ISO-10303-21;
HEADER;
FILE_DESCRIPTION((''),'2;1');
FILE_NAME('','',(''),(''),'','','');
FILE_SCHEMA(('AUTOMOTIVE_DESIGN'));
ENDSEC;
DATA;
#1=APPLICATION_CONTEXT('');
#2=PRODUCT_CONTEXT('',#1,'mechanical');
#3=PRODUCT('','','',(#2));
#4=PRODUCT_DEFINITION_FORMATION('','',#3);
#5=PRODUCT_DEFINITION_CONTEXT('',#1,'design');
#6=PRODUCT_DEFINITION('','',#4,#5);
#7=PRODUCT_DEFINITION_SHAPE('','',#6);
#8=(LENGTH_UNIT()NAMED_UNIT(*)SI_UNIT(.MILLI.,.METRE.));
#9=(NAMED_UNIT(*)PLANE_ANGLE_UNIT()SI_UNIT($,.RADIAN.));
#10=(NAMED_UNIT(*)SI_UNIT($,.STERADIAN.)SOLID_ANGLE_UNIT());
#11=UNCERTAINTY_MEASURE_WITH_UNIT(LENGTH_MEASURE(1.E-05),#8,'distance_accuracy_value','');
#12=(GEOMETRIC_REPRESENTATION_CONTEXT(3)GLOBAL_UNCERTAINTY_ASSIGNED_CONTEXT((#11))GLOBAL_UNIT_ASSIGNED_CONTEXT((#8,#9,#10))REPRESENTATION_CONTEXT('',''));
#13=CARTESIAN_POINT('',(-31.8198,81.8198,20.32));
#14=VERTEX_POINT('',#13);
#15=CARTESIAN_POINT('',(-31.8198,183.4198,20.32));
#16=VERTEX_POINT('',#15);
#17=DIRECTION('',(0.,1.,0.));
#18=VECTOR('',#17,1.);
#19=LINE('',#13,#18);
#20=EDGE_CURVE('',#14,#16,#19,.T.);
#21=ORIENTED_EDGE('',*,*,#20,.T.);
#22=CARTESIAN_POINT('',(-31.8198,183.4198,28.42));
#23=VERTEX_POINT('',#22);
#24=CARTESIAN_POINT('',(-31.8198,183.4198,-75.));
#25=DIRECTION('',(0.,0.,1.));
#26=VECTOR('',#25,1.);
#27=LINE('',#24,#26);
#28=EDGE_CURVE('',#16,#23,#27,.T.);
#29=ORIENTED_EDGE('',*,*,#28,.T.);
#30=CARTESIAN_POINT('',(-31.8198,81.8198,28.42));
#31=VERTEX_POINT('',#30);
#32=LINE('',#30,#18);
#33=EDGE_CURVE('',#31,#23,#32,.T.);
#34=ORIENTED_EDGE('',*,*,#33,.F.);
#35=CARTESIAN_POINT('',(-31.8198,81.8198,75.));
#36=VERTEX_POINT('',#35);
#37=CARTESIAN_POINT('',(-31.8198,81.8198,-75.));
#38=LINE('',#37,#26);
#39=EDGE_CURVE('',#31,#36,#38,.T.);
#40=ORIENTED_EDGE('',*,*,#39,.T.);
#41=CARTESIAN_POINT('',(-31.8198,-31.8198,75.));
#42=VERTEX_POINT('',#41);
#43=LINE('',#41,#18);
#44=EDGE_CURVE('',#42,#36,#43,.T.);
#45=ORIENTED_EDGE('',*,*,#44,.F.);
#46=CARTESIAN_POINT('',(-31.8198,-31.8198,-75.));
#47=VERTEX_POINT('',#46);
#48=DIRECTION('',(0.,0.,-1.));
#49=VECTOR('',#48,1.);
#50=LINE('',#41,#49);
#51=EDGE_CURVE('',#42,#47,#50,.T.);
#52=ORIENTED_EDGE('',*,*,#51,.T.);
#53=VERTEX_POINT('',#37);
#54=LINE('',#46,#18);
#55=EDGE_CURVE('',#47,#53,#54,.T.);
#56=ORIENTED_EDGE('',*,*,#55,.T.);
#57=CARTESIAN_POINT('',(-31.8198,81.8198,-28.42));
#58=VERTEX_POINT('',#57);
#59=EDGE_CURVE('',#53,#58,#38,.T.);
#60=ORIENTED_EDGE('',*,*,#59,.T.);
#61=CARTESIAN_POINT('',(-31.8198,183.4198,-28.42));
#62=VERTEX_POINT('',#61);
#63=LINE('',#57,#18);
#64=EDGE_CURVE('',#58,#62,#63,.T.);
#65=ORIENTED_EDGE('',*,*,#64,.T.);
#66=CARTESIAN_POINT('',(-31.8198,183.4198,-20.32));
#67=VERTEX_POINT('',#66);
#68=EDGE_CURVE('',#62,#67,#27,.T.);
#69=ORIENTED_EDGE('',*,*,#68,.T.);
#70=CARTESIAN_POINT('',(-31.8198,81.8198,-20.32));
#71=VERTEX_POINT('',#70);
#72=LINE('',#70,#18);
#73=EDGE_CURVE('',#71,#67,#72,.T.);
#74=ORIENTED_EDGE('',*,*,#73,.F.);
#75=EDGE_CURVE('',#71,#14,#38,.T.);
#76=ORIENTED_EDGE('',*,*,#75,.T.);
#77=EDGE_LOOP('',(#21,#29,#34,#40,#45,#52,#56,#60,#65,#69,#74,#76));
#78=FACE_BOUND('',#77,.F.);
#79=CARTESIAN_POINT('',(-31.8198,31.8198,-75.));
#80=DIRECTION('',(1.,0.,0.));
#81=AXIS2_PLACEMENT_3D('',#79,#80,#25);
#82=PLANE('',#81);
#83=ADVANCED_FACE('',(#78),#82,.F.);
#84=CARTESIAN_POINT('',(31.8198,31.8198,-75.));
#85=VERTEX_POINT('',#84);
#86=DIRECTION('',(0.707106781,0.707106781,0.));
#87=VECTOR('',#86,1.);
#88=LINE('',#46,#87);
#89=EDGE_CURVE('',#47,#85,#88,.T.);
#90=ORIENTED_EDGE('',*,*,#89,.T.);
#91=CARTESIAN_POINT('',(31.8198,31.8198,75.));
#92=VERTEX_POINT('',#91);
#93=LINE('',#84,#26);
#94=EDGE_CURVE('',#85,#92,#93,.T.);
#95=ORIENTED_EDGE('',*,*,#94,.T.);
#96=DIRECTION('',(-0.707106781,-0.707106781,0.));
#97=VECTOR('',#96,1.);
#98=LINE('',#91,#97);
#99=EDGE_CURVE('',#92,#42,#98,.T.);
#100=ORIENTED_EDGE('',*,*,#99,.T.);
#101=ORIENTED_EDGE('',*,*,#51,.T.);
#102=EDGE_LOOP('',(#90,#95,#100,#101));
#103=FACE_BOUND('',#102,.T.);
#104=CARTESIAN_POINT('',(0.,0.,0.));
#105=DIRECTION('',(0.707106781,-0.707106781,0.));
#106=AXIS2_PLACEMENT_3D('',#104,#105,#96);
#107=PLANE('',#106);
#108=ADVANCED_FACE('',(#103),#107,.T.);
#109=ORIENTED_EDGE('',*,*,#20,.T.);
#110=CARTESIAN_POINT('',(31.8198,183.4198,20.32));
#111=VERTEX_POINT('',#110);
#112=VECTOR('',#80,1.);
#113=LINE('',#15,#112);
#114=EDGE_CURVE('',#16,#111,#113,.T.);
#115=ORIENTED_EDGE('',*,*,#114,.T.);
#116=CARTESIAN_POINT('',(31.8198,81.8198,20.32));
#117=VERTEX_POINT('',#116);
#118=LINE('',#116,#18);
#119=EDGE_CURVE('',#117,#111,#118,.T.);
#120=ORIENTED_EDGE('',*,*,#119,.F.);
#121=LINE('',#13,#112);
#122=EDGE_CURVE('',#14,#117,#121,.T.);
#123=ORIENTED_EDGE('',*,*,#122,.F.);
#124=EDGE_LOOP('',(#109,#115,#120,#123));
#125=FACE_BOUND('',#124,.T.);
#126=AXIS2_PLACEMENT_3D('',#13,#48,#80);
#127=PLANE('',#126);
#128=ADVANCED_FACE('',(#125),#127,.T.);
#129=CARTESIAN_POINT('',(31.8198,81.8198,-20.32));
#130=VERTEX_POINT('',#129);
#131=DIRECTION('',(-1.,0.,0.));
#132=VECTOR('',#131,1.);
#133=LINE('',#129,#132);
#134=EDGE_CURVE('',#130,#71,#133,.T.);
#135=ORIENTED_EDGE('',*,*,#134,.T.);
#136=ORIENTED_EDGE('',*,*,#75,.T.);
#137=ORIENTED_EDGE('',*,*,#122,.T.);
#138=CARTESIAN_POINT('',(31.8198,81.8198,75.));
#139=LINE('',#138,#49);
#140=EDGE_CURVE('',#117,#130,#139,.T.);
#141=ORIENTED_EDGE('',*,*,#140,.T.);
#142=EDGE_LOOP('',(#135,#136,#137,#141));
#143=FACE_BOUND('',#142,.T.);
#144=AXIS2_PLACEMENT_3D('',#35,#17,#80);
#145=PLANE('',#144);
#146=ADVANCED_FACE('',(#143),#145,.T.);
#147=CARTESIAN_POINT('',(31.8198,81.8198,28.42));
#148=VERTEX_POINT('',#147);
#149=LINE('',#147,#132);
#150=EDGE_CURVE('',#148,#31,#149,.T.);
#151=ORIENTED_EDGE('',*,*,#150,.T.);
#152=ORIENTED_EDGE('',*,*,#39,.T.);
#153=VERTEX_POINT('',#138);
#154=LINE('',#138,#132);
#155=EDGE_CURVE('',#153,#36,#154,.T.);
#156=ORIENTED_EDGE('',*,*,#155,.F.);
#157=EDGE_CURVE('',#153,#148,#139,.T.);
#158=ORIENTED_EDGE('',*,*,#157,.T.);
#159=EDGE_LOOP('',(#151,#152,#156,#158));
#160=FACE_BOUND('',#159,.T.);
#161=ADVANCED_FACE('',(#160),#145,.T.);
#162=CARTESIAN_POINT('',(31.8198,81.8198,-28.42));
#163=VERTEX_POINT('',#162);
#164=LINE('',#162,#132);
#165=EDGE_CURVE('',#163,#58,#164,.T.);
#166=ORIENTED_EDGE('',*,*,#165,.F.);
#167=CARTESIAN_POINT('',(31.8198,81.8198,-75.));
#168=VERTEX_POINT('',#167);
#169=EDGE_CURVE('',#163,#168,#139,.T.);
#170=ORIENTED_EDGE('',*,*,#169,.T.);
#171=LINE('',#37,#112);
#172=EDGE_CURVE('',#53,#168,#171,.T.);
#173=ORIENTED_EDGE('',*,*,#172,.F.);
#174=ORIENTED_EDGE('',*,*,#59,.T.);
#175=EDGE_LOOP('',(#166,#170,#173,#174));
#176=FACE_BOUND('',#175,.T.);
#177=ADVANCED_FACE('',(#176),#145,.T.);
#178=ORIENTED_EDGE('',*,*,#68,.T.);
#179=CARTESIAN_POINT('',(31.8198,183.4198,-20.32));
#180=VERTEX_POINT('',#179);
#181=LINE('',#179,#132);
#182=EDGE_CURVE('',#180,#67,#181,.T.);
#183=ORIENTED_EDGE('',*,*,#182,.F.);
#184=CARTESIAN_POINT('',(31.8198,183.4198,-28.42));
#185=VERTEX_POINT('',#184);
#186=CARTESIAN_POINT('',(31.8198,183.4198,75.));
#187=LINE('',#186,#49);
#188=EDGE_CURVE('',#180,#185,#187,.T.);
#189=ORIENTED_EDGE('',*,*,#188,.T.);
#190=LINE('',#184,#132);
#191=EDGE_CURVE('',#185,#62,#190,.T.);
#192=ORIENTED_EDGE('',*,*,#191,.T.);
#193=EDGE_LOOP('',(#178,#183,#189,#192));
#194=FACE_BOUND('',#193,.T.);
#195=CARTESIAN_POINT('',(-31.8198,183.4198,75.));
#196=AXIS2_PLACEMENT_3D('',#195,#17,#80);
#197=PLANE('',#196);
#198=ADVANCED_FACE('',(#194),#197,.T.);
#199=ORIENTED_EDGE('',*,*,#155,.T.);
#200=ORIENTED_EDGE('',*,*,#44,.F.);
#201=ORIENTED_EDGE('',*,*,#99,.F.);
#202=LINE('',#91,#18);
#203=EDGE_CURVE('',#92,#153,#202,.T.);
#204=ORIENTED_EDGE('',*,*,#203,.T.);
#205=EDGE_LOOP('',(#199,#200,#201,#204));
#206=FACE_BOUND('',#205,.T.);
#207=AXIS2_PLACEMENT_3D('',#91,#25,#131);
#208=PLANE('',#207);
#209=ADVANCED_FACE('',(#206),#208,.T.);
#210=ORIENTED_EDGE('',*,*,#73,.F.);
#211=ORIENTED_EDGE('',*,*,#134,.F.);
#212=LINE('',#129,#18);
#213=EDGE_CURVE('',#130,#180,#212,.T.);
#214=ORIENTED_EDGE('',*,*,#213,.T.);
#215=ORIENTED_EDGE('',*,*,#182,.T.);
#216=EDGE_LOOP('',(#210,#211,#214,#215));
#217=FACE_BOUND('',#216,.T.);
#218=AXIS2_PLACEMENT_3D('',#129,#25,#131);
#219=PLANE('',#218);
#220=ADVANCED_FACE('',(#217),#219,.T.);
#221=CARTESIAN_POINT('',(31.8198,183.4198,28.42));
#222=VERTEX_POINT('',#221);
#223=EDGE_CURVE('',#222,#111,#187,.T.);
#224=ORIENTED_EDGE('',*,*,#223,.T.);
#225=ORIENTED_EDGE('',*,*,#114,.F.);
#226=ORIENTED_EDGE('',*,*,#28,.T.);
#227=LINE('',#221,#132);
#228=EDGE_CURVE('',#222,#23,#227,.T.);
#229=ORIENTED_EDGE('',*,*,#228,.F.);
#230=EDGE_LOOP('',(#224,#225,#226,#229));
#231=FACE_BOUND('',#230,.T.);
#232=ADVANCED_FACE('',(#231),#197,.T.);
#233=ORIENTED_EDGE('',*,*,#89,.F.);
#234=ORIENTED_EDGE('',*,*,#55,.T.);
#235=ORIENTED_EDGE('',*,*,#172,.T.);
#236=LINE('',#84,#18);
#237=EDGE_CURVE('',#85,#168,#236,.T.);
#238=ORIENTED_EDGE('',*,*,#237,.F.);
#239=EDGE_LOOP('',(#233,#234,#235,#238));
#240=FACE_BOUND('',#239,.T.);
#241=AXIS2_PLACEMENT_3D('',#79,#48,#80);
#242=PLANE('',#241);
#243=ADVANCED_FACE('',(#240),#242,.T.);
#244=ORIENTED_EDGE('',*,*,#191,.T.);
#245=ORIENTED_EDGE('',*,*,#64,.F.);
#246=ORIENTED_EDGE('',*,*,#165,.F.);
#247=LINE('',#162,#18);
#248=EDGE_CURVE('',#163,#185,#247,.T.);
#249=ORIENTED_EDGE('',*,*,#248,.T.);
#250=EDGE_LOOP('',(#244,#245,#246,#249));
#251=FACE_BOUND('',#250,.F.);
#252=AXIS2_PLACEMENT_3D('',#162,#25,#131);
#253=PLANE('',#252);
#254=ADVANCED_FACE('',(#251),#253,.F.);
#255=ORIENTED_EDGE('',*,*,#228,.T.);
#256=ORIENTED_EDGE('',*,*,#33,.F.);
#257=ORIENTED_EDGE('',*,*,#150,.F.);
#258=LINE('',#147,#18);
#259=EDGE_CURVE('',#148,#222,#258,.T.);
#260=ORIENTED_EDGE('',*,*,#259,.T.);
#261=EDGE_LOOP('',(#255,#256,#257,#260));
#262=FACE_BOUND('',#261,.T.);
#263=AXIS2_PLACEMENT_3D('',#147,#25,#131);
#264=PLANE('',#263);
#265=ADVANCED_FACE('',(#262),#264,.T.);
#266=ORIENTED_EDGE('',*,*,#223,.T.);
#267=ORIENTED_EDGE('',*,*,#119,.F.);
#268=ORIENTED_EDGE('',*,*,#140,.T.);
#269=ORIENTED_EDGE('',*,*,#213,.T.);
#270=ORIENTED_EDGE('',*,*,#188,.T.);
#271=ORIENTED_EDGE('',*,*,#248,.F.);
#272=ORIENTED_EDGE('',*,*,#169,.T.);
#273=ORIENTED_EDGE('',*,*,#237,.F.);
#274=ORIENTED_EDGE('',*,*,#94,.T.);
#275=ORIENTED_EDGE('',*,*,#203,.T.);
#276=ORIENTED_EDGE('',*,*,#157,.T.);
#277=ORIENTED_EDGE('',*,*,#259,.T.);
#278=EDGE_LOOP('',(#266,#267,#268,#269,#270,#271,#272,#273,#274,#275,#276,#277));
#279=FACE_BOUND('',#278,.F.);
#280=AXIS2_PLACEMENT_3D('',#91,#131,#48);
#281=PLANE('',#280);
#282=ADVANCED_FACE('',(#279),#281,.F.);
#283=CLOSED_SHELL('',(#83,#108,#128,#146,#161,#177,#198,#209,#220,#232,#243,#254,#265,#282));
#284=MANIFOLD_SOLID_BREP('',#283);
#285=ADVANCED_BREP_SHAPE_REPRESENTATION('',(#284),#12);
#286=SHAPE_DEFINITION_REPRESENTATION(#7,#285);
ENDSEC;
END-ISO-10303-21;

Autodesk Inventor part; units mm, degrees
ref_plane "YZ Plane" through (0, 0, 0) normal (1, 0, 0) x (0, 1, 0)
ref_plane "XZ Plane" through (0, 0, 0) normal (0, 1, 0) x (-1, 0, 0)
ref_plane "XY Plane" through (0, 0, 0) normal (0, 0, 1) x (1, 0, 0)
sketch "Sketch55" plane through (0, 0, 0) normal (0, 0, 1) x (1, 0, 0)
  line L0 (0, 0) -> (0, -53.4597) construction
  line L1 (0, 0) -> (31.8198, 31.8198)
  line L2 (0, 0) -> (89.157, 0) construction
  line L3 (0, 0) -> (-31.8198, -31.8198)
  line L4 (31.8198, 31.8198) -> (-31.8198, 31.8198)
  line L5 (-31.8198, 31.8198) -> (-31.8198, -31.8198)
  dimension "d252" = 45
extrude "Extrusion25" add sketch "Sketch55" along normal mid plane 150
sketch "Sketch56" plane through (-31.8198, 31.8198, 75) normal (0, 1, 0) x (1, 0, 0)
  line L0 (0, 150) -> (63.6396, 150) projected
  line L1 (63.6396, 0) -> (63.6396, 150) projected
  line L2 (0, 150) -> (0, 0) projected
  line L3 (63.6396, 0) -> (0, 0) projected
  line L4 (0, 150) -> (63.6396, 150)
  line L5 (63.6396, 150) -> (63.6396, 0)
  line L6 (63.6396, 0) -> (0, 0)
  line L7 (0, 0) -> (0, 150)
  point P0 (31.8198, 75)
extrude "Extrusion26" add sketch "Sketch56" along normal blind 50
sketch "Sketch57" plane through (-31.8198, 81.8198, 75) normal (0, 1, 0) x (1, 0, 0)
  line L0 (63.6396, 150) -> (0, 150) projected
  line L1 (63.6396, 0) -> (63.6396, 150) projected
  line L2 (0, 0) -> (63.6396, 0) projected
  line L3 (0, 150) -> (0, 0) projected
  line L4 (0, 54.68) -> (63.6396, 54.68)
  line L5 (63.6396, 54.68) -> (63.6396, 95.32)
  line L6 (63.6396, 95.32) -> (0, 95.32)
  line L7 (0, 95.32) -> (0, 54.68)
  line L8 (0, 54.68) -> (63.6396, 95.32) construction
  line L9 (63.6396, 54.68) -> (0, 95.32) construction
  line L10 (0, 95.32) -> (63.6396, 95.32)
  line L11 (63.6396, 95.32) -> (63.6396, 103.42)
  line L12 (63.6396, 103.42) -> (0, 103.42)
  line L13 (0, 103.42) -> (0, 95.32)
  line L14 (0, 54.68) -> (63.6396, 54.68)
  line L15 (63.6396, 54.68) -> (63.6396, 46.58)
  line L16 (63.6396, 46.58) -> (0, 46.58)
  line L17 (0, 46.58) -> (0, 54.68)
  point P0 (31.8198, 75)
  point P1 (0, 46.58)
  point P2 (0, 103.42)
  point P3 (0, 95.32)
  dimension "d259" = 8.1
  dimension "d260" = 8.1
  dimension "d261" = 40.64
extrude "Extrusion27" add sketch "Sketch57" along normal blind 101.6 contours L1 L6 L3 L12 | L1 L16 L3 L4
equation "\"d261\" = twoByFourWidth"
equation "\"wallThickness\" = 8"
equation "\"twoByFourWidth\" = 40.64"
equation "\"twoByFourDepth\" = 84.1375"
equation "\"azimuth\" = -15deg"
equation "\"elevation\" = 20deg"
equation "\"depthOfExtrusionForMatingToLowerHalf\" = 12.5"
equation "\"depthForWasherForMatingToCase\" = 14"
equation "\"topWallThickness\" = 8"
equation "\"widthOfCase\" = 149"
equation "\"sideWallThickness\" = 8"
equation "\"caseHeight\" = 125"
equation "\"bottomWallThickness\" = 8"
properties part number "upperBracketForSquareBracket" material "PC/ABS Plastic"
